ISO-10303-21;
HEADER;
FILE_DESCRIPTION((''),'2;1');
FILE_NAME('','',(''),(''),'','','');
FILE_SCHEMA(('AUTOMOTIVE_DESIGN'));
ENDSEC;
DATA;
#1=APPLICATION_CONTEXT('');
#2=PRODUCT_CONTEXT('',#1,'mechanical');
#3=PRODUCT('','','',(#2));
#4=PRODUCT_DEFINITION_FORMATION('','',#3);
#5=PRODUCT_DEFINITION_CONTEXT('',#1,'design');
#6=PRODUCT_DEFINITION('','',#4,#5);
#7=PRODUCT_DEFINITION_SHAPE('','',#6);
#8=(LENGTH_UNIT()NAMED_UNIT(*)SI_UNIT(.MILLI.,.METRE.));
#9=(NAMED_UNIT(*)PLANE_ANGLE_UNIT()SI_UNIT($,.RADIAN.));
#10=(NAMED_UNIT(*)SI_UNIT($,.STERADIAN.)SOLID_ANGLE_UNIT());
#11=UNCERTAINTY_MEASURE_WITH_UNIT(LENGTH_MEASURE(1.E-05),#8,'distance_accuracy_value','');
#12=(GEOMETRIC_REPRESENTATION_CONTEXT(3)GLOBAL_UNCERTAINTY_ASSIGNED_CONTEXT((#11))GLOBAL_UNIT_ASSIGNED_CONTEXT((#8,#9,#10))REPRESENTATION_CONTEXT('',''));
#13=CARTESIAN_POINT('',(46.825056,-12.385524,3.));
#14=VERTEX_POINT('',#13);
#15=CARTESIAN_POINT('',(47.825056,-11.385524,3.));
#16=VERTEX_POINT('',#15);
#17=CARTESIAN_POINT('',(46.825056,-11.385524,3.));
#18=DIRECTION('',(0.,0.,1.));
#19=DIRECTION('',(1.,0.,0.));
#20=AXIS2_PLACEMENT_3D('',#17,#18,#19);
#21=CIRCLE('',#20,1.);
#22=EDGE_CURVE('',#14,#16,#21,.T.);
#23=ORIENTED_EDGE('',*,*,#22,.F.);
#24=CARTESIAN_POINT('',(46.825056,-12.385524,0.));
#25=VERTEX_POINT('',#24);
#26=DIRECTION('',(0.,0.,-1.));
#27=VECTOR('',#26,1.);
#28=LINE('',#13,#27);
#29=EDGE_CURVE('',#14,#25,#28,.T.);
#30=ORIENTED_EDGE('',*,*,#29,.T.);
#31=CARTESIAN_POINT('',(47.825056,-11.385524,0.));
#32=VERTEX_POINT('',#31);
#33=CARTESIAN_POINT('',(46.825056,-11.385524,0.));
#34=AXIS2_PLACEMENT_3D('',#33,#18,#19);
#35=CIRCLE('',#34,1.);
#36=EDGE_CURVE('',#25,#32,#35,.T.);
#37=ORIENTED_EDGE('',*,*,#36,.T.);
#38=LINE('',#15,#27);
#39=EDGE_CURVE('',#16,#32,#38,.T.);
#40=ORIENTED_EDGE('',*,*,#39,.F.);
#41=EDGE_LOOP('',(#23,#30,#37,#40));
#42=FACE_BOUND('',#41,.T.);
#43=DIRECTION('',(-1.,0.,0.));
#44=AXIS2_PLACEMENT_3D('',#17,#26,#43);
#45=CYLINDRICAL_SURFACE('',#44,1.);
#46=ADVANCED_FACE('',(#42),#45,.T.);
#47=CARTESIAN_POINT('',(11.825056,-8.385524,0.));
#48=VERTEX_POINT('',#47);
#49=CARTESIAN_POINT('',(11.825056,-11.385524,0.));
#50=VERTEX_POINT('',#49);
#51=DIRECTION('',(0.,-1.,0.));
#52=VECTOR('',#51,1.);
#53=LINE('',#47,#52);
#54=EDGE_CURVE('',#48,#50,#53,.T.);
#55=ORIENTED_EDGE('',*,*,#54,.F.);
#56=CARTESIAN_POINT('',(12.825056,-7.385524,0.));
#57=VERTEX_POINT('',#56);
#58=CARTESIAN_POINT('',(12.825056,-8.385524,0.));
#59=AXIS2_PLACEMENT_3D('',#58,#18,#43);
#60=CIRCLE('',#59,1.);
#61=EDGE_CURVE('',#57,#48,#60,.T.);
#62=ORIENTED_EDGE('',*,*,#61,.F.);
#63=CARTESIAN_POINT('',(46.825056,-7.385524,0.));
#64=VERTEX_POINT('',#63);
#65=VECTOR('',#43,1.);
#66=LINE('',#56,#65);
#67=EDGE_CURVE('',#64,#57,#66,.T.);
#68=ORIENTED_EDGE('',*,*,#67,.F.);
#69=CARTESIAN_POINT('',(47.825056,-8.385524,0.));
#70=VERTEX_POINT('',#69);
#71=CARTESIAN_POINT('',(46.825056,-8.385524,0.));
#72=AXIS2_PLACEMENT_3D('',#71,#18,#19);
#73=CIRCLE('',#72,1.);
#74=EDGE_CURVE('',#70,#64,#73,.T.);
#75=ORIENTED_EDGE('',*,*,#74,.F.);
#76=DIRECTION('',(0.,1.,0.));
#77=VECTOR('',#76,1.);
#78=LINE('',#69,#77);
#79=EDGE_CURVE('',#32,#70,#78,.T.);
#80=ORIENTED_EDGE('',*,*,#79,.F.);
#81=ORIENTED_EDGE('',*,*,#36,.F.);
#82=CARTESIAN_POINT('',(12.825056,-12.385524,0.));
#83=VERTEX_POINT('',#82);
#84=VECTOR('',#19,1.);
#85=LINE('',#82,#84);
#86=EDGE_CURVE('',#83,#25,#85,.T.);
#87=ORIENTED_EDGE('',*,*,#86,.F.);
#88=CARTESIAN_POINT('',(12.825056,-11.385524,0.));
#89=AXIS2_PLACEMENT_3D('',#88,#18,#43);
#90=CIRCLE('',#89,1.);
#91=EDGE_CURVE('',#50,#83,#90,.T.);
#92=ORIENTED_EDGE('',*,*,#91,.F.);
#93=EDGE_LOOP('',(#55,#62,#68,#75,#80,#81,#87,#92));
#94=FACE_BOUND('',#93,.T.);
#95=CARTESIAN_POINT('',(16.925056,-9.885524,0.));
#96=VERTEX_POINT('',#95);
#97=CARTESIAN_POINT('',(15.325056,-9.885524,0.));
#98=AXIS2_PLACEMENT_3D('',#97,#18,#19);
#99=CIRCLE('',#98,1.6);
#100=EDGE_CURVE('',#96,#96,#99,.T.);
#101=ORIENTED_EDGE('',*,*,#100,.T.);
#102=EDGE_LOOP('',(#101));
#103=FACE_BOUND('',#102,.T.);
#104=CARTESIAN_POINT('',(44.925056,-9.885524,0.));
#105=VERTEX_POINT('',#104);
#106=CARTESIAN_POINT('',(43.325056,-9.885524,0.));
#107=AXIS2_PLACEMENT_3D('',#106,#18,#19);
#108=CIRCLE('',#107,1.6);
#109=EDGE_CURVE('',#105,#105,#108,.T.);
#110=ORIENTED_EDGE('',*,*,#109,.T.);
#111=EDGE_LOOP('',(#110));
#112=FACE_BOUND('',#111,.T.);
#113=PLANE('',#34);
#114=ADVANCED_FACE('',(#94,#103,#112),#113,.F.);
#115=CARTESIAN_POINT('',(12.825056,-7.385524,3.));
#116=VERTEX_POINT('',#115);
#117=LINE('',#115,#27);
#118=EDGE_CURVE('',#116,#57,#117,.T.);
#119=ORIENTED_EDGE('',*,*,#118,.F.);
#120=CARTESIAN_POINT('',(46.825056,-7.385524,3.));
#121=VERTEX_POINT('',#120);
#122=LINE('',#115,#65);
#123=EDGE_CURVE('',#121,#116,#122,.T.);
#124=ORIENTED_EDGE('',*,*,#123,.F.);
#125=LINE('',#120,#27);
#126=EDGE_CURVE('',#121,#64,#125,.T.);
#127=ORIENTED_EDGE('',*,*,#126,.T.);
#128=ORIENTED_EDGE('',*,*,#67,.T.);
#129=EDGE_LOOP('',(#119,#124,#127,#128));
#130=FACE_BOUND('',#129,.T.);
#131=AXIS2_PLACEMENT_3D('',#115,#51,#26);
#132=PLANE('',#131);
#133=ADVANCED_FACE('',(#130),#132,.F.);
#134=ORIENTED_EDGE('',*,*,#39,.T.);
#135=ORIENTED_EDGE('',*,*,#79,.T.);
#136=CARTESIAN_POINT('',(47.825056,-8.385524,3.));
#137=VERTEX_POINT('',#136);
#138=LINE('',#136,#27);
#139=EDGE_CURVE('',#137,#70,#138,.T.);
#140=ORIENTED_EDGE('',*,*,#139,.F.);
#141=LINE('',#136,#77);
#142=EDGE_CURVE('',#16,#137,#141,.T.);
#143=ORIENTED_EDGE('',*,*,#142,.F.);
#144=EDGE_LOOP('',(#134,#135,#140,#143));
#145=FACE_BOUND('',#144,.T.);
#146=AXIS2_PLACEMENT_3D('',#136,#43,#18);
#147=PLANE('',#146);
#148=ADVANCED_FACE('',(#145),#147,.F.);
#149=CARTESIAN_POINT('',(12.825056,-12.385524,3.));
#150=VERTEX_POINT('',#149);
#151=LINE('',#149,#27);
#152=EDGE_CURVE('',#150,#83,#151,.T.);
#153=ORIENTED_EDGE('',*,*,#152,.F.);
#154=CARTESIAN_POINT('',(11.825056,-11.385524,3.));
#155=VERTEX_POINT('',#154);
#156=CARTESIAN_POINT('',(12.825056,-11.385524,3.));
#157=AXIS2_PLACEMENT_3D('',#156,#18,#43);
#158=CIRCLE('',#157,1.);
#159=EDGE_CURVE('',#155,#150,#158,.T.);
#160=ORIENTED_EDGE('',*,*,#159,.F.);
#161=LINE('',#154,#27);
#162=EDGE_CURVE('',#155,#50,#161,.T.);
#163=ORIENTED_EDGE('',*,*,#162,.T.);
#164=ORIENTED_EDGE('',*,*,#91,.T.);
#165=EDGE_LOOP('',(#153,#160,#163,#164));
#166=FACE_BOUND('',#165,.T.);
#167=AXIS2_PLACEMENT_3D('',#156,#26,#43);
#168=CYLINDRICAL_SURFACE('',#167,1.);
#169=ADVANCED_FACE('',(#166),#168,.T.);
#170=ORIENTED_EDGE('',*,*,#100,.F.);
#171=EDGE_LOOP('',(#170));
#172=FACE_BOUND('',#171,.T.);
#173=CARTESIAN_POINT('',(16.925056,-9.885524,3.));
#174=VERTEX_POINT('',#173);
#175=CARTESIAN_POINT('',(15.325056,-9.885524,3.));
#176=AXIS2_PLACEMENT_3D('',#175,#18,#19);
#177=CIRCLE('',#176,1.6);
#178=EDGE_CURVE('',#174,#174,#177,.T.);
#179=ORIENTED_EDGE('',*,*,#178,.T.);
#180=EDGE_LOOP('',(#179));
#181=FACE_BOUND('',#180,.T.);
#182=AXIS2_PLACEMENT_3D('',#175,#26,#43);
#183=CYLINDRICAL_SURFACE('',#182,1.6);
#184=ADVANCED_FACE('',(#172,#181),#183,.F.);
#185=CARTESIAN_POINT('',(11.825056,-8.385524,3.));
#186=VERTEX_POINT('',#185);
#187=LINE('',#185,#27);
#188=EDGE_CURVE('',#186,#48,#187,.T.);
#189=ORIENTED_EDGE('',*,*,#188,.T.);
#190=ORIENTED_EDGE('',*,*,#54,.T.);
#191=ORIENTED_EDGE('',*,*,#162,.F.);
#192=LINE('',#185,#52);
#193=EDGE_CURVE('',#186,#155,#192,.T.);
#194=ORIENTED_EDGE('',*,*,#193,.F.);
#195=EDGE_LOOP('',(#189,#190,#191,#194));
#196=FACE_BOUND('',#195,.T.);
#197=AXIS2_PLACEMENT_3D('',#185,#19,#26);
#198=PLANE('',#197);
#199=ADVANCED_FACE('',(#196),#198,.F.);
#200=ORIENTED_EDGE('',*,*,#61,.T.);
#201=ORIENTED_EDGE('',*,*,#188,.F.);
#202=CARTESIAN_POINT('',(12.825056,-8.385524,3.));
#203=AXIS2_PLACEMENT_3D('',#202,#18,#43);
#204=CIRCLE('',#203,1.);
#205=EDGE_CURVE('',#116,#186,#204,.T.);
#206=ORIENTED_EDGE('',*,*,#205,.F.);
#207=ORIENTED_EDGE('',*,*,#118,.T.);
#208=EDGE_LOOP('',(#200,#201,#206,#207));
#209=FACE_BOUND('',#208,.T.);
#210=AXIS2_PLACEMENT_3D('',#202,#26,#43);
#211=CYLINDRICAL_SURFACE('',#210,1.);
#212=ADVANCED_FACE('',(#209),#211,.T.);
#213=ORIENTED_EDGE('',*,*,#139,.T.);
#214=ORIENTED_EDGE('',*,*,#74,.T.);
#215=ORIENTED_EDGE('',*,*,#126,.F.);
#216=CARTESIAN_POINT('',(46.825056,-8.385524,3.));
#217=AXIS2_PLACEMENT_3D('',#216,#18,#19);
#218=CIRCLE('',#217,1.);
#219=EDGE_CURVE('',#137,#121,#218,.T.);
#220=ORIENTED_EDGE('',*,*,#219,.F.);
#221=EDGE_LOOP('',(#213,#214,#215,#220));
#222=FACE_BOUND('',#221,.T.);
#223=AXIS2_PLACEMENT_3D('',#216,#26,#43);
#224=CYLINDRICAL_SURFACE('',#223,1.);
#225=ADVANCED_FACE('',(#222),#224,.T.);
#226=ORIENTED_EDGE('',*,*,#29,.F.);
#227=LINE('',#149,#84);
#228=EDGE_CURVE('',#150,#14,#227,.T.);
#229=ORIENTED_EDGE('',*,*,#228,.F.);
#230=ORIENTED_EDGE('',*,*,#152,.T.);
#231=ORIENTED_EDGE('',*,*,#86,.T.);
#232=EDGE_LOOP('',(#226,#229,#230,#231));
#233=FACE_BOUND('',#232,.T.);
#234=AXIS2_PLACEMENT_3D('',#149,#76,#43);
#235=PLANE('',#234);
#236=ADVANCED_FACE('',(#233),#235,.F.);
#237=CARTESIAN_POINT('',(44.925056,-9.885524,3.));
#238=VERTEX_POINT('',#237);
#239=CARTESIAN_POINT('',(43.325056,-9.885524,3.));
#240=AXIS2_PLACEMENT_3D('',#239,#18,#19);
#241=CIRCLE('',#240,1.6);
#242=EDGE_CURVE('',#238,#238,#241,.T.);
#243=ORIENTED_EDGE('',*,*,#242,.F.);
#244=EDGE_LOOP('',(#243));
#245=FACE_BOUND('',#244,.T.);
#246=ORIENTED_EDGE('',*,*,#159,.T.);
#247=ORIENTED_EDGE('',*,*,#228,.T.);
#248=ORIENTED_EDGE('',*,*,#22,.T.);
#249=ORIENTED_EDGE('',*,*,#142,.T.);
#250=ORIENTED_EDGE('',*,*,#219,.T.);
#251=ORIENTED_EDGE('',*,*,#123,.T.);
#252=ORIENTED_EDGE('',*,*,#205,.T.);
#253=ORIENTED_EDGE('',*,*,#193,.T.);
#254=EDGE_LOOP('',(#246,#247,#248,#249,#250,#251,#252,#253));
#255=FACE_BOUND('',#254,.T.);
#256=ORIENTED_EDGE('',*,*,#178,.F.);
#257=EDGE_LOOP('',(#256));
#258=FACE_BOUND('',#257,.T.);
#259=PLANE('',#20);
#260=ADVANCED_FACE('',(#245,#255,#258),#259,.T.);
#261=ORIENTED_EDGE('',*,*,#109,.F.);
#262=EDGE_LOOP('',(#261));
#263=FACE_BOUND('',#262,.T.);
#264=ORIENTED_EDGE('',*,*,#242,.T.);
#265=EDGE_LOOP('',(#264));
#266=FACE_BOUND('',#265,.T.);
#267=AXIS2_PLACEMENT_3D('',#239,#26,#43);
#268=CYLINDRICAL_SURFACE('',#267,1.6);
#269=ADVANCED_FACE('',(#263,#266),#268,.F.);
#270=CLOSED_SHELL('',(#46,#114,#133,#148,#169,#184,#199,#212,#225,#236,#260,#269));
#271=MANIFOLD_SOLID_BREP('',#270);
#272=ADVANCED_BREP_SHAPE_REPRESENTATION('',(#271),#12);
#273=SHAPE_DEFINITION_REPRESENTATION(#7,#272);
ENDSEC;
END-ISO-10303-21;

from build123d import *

# Parameters (mm, degrees)
SKETCH_1_R      = 1.6
EXTRUDE_1_DEPTH = 3


with BuildPart() as part:
    # 草圖1 → 填料-伸長1 (new body)
    with BuildSketch(Plane.XY):
        with BuildLine():
            Line((12.825055765, -7.385523585), (46.825055765, -7.385523585))
            ThreePointArc((46.825055765, -7.385523585), (47.532162546, -7.678416804), (47.825055765, -8.385523585))
            Line((47.825055765, -8.385523585), (47.825055765, -11.385523585))
            ThreePointArc((47.825055765, -11.385523585), (47.532162546, -12.092630366), (46.825055765, -12.385523585))
            Line((46.825055765, -12.385523585), (12.825055765, -12.385523585))
            ThreePointArc((12.825055765, -12.385523585), (12.117948984, -12.092630366), (11.825055765, -11.385523585))
            Line((11.825055765, -11.385523585), (11.825055765, -8.385523585))
            ThreePointArc((11.825055765, -8.385523585), (12.117948984, -7.678416804), (12.825055765, -7.385523585))
        make_face()
        with Locations((15.325055765, -9.885523585)):
            Circle(SKETCH_1_R, mode=Mode.SUBTRACT)
        with Locations((43.325055765, -9.885523585)):
            Circle(SKETCH_1_R, mode=Mode.SUBTRACT)
    extrude(amount=EXTRUDE_1_DEPTH)


solid = part.part
